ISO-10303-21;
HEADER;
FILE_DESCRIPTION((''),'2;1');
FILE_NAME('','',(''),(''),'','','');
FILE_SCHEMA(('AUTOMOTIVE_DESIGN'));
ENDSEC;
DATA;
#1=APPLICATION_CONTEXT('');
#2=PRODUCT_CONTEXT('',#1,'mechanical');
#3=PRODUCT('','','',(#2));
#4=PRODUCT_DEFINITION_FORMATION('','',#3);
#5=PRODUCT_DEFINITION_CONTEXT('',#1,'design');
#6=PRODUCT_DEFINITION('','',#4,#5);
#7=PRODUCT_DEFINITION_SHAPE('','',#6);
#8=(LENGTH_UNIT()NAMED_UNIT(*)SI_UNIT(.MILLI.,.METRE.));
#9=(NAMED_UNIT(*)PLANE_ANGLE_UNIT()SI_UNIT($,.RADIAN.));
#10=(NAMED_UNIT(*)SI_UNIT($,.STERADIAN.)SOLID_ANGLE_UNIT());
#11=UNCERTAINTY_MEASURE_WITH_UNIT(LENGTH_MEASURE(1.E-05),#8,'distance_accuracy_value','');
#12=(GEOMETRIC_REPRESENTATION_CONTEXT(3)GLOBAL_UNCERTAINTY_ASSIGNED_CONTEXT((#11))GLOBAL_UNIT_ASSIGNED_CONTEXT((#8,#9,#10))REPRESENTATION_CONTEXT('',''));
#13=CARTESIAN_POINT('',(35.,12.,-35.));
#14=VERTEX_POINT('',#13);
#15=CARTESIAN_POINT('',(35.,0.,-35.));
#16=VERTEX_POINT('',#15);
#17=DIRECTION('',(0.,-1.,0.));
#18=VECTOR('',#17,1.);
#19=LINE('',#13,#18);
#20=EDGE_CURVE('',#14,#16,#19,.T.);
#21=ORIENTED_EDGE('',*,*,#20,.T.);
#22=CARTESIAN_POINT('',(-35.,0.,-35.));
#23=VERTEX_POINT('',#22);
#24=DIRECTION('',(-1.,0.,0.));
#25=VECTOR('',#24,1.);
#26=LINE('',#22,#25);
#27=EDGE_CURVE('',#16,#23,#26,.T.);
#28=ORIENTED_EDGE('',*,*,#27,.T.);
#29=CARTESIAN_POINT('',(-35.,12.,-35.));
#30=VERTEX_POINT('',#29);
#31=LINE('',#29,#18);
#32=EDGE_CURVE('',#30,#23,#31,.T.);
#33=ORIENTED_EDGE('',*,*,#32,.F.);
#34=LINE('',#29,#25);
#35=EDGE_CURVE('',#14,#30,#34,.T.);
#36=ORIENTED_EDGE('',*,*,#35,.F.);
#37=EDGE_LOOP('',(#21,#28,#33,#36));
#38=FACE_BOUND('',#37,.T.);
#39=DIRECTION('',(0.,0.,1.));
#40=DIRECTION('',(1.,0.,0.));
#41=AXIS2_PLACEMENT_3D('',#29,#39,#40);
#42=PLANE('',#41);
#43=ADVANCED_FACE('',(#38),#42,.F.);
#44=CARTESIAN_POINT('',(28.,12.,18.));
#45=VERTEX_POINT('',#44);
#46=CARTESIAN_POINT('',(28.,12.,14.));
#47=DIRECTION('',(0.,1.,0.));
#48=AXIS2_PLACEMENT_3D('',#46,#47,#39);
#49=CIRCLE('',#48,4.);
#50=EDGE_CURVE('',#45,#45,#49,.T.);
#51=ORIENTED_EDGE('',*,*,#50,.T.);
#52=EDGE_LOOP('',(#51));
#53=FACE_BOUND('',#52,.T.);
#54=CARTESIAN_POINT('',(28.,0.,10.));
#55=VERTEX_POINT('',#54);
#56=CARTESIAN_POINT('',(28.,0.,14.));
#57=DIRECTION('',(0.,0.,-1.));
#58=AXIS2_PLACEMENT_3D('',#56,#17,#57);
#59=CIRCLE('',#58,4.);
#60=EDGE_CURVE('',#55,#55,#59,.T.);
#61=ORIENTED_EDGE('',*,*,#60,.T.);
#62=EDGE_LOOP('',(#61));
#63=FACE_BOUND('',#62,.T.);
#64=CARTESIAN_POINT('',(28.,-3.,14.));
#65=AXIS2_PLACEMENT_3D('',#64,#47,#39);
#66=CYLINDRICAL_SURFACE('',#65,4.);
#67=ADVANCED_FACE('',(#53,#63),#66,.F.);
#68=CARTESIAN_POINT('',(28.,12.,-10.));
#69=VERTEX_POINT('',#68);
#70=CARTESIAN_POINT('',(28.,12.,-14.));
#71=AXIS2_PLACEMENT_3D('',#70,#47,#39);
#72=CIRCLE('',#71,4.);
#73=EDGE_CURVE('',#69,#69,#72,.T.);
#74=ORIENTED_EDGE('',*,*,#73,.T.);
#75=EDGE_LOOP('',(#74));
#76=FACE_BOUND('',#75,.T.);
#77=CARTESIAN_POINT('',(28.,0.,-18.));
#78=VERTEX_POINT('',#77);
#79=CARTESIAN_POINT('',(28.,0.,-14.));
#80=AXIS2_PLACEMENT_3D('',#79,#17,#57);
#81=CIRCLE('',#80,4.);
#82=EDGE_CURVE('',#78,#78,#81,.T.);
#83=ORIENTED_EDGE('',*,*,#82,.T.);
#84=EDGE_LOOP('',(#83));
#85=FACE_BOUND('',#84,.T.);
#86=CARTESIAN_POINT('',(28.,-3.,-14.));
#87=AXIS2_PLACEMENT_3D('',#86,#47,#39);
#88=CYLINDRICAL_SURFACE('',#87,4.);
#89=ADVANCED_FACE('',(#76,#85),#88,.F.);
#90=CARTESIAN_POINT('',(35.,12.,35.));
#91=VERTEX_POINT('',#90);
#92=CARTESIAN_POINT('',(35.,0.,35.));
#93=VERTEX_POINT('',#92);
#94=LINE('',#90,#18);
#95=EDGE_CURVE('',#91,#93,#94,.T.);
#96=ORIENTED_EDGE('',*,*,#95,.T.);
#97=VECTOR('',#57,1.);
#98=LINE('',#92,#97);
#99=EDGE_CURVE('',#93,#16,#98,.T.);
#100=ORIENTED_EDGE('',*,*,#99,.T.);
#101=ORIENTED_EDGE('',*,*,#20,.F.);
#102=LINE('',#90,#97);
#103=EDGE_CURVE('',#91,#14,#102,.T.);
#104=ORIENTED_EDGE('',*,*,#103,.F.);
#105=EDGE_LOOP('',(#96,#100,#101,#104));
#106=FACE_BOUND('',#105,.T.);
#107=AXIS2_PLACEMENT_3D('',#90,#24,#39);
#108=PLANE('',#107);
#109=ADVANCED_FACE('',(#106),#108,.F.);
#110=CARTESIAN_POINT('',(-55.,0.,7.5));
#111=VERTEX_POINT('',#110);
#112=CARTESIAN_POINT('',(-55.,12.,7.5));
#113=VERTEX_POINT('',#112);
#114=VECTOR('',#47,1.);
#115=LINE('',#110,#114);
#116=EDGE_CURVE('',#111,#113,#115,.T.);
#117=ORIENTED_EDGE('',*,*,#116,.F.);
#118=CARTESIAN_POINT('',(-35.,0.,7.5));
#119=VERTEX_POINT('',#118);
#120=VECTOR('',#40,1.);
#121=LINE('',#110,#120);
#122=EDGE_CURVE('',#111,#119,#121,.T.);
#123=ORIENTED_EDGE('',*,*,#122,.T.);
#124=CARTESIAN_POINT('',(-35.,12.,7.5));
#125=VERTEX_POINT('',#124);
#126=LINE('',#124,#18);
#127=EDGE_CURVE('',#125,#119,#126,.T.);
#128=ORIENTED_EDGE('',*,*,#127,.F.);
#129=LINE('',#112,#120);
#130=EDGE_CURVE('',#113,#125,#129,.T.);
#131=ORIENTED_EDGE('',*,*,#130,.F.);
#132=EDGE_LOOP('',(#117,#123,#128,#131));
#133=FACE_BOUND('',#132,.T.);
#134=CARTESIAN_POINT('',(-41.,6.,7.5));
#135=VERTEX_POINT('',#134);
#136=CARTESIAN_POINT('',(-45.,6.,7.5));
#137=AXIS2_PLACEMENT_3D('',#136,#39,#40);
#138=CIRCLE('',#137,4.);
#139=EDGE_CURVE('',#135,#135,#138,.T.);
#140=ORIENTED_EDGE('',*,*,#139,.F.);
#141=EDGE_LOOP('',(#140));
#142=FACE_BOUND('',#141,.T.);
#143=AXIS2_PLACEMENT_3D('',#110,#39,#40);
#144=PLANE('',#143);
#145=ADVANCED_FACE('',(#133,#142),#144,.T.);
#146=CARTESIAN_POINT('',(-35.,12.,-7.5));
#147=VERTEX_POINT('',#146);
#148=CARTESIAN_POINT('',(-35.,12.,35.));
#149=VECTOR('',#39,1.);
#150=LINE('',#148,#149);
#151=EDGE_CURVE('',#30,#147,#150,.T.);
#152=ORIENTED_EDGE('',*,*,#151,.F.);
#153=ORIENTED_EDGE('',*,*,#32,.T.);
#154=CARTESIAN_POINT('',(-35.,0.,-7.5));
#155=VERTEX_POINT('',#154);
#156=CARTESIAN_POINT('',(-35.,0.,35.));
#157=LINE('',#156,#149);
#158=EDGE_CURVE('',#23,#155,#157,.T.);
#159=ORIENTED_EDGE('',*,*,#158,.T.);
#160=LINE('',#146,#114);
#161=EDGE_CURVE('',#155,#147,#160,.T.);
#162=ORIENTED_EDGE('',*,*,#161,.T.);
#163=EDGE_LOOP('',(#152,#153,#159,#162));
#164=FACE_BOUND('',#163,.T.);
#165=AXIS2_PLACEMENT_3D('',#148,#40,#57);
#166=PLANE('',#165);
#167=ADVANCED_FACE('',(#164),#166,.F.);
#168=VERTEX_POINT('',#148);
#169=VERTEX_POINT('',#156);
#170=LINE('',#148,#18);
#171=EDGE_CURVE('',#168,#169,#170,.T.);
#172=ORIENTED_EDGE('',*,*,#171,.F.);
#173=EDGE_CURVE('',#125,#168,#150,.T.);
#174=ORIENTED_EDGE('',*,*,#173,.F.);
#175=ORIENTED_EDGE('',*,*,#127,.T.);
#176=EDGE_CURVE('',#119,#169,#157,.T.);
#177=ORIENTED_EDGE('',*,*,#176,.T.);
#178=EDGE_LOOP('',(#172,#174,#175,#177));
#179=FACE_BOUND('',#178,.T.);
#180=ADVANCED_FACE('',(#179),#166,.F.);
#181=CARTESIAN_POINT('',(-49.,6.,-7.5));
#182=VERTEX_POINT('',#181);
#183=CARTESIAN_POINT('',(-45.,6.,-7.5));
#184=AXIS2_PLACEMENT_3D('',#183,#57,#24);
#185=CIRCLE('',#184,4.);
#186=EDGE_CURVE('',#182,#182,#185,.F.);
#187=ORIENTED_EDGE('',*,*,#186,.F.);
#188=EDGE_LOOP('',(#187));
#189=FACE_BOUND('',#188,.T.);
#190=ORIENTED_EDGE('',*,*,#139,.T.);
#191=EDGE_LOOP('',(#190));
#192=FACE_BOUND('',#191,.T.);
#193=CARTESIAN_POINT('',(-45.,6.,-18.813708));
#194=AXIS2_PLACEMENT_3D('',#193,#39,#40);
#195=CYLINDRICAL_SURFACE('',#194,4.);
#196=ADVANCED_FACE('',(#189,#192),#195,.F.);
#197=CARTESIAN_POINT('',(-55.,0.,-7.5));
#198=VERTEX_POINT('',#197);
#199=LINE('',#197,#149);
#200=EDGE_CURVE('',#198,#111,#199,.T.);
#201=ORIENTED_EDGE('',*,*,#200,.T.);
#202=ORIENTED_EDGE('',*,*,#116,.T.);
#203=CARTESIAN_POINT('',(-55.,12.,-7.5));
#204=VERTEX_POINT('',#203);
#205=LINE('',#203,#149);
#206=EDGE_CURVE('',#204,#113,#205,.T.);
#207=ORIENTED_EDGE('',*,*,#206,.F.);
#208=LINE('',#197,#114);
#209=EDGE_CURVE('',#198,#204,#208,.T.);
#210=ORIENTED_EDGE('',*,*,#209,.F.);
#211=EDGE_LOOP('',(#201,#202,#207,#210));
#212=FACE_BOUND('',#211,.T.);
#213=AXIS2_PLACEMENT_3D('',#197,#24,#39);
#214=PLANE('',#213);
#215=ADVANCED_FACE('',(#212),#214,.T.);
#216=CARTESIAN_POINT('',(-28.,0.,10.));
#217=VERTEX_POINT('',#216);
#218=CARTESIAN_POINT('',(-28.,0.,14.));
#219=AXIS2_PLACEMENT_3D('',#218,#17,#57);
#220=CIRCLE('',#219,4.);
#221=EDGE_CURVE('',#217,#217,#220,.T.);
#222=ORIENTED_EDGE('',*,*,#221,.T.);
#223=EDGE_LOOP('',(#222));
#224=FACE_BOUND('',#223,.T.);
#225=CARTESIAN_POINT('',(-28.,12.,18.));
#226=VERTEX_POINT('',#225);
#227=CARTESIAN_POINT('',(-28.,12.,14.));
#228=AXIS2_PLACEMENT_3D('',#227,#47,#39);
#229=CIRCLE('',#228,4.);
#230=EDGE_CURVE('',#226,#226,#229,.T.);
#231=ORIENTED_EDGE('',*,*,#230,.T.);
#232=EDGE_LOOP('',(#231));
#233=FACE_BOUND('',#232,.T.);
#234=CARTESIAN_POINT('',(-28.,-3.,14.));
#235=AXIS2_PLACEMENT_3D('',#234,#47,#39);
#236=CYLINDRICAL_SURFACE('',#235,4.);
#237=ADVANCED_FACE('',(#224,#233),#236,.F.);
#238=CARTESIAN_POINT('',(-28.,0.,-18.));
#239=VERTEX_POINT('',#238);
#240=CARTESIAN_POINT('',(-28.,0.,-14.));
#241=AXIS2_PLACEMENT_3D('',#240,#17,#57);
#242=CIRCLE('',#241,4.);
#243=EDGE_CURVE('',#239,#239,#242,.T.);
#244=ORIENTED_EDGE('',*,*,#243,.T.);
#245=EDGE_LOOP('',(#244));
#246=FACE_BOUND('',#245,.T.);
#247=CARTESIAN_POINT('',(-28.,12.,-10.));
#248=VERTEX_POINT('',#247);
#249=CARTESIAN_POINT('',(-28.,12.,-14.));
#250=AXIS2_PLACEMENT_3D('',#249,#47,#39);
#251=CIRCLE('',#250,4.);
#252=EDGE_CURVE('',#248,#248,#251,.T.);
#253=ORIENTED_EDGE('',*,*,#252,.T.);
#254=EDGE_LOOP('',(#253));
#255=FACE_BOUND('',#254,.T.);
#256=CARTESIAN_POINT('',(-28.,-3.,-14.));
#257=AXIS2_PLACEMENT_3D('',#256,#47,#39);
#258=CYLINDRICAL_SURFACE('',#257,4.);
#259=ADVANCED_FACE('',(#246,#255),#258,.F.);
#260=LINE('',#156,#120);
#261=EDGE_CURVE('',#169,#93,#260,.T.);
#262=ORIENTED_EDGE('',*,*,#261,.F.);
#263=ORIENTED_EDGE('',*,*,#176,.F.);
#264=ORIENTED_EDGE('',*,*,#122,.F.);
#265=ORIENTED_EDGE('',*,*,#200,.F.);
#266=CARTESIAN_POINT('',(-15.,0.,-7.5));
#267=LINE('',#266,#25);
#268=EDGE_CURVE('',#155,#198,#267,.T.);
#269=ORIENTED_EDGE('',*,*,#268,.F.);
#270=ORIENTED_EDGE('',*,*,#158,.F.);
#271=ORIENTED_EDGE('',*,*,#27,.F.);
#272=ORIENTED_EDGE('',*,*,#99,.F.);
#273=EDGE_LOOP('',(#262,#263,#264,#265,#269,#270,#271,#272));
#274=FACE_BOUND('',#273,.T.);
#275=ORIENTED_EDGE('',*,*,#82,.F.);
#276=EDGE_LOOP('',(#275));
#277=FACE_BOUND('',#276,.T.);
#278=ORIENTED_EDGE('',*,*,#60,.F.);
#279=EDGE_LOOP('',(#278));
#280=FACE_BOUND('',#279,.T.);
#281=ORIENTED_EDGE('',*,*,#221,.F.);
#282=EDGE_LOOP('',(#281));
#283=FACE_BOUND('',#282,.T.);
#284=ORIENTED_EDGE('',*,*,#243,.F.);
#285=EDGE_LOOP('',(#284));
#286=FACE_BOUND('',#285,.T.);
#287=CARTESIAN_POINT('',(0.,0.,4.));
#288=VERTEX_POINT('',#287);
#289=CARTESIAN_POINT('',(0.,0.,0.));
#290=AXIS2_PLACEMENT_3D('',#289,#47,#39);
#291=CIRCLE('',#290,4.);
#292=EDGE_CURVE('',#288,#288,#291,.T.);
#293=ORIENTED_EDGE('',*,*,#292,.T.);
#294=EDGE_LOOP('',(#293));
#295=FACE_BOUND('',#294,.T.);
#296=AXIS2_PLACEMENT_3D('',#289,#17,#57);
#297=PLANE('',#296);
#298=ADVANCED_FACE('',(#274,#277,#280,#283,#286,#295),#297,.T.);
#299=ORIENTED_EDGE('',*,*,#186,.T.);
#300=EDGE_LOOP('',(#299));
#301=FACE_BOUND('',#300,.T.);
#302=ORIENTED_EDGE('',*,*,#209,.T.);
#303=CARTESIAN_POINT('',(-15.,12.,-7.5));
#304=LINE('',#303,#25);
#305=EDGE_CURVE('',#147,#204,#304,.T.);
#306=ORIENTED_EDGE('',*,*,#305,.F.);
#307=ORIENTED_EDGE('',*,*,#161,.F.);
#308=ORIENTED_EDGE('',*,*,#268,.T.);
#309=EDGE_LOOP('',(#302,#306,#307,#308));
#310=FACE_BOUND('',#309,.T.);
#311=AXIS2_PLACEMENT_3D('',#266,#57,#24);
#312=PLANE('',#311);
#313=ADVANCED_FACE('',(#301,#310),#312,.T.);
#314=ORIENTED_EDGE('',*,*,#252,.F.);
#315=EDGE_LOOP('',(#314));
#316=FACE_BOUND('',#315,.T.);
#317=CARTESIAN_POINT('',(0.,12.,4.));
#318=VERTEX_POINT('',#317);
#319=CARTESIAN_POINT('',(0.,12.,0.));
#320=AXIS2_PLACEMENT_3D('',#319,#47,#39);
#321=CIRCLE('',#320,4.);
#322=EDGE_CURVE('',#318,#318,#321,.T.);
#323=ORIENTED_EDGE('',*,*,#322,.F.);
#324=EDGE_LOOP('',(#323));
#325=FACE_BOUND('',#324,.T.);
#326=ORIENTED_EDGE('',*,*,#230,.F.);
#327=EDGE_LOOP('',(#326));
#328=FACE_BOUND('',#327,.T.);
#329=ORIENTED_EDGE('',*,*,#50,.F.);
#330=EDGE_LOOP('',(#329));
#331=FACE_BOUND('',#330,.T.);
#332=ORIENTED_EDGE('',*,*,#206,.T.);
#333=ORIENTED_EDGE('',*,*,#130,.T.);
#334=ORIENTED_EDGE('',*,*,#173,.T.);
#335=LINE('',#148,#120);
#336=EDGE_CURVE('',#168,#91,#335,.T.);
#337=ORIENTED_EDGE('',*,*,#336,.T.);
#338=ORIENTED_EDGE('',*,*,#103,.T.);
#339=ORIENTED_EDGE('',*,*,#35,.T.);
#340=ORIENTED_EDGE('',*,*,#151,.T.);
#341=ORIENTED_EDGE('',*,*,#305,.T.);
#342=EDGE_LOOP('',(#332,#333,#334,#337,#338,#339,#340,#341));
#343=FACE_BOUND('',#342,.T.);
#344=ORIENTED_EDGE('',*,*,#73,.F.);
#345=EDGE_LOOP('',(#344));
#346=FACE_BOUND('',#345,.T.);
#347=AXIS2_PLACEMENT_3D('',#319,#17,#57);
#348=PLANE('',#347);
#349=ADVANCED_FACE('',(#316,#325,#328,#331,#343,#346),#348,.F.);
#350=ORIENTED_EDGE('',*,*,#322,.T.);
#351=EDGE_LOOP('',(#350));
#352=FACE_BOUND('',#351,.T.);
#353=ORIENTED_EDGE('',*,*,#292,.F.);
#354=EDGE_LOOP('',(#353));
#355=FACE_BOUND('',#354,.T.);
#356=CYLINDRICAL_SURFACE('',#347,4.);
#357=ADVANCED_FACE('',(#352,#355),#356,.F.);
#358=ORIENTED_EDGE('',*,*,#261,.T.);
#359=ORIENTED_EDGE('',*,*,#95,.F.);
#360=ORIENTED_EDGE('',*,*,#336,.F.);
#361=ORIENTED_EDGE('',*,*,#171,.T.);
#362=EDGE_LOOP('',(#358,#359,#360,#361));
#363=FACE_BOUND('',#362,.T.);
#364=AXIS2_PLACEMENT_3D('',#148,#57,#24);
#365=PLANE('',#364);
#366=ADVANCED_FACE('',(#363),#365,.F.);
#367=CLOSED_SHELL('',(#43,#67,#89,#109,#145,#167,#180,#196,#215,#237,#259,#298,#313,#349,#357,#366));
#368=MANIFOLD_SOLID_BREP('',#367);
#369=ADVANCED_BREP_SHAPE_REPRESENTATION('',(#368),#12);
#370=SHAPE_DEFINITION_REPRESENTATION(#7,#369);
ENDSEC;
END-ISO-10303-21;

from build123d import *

# Parameters (mm, degrees)
CROQUIS1_W              = 70
CROQUIS1_H              = 70
CROQUIS1_R              = 4
SALIENTE_EXTRUIR1_DEPTH = 12
CROQUIS3_R              = 4
CORTAR_EXTRUIR2_DEPTH   = 15
CROQUIS4_W              = 40
CROQUIS4_H              = 15
SALIENTE_EXTRUIR2_DEPTH = 12
CROQUIS6_R              = 4
CORTAR_EXTRUIR4_DEPTH   = 15


with BuildPart() as part:
    # Croquis1 → Saliente-Extruir1 (new body)
    with BuildSketch(Plane(origin=(0, 0, 0), x_dir=(1, 0, 0), z_dir=(0, 1, 0))):
        Rectangle(CROQUIS1_W, CROQUIS1_H)
        Circle(CROQUIS1_R, mode=Mode.SUBTRACT)
    extrude(amount=SALIENTE_EXTRUIR1_DEPTH)

    # Croquis3 → Cortar-Extruir2 (cut)
    with BuildSketch(Plane(origin=(0, 12, 0), x_dir=(1, 0, 0), z_dir=(0, 1, 0))):
        with Locations((-28, 14)):
            Circle(CROQUIS3_R)
        with Locations((28, 14)):
            Circle(CROQUIS3_R)
        with Locations((28, -14)):
            Circle(CROQUIS3_R)
        with Locations((-28, -14)):
            Circle(CROQUIS3_R)
    extrude(amount=-CORTAR_EXTRUIR2_DEPTH, mode=Mode.SUBTRACT)

    # Croquis4 → Saliente-Extruir2 (add)
    with BuildSketch(Plane(origin=(0, 12, 0), x_dir=(1, 0, 0), z_dir=(0, 1, 0))):
        with Locations((-35, 0)):
            Rectangle(CROQUIS4_W, CROQUIS4_H)
    extrude(amount=-SALIENTE_EXTRUIR2_DEPTH)

    # Croquis6 → Cortar-Extruir4 (cut)
    with BuildSketch(Plane.XY.offset(7.5)):
        with Locations((-45, 6)):
            Circle(CROQUIS6_R)
    extrude(amount=-CORTAR_EXTRUIR4_DEPTH, mode=Mode.SUBTRACT)


solid = part.part
